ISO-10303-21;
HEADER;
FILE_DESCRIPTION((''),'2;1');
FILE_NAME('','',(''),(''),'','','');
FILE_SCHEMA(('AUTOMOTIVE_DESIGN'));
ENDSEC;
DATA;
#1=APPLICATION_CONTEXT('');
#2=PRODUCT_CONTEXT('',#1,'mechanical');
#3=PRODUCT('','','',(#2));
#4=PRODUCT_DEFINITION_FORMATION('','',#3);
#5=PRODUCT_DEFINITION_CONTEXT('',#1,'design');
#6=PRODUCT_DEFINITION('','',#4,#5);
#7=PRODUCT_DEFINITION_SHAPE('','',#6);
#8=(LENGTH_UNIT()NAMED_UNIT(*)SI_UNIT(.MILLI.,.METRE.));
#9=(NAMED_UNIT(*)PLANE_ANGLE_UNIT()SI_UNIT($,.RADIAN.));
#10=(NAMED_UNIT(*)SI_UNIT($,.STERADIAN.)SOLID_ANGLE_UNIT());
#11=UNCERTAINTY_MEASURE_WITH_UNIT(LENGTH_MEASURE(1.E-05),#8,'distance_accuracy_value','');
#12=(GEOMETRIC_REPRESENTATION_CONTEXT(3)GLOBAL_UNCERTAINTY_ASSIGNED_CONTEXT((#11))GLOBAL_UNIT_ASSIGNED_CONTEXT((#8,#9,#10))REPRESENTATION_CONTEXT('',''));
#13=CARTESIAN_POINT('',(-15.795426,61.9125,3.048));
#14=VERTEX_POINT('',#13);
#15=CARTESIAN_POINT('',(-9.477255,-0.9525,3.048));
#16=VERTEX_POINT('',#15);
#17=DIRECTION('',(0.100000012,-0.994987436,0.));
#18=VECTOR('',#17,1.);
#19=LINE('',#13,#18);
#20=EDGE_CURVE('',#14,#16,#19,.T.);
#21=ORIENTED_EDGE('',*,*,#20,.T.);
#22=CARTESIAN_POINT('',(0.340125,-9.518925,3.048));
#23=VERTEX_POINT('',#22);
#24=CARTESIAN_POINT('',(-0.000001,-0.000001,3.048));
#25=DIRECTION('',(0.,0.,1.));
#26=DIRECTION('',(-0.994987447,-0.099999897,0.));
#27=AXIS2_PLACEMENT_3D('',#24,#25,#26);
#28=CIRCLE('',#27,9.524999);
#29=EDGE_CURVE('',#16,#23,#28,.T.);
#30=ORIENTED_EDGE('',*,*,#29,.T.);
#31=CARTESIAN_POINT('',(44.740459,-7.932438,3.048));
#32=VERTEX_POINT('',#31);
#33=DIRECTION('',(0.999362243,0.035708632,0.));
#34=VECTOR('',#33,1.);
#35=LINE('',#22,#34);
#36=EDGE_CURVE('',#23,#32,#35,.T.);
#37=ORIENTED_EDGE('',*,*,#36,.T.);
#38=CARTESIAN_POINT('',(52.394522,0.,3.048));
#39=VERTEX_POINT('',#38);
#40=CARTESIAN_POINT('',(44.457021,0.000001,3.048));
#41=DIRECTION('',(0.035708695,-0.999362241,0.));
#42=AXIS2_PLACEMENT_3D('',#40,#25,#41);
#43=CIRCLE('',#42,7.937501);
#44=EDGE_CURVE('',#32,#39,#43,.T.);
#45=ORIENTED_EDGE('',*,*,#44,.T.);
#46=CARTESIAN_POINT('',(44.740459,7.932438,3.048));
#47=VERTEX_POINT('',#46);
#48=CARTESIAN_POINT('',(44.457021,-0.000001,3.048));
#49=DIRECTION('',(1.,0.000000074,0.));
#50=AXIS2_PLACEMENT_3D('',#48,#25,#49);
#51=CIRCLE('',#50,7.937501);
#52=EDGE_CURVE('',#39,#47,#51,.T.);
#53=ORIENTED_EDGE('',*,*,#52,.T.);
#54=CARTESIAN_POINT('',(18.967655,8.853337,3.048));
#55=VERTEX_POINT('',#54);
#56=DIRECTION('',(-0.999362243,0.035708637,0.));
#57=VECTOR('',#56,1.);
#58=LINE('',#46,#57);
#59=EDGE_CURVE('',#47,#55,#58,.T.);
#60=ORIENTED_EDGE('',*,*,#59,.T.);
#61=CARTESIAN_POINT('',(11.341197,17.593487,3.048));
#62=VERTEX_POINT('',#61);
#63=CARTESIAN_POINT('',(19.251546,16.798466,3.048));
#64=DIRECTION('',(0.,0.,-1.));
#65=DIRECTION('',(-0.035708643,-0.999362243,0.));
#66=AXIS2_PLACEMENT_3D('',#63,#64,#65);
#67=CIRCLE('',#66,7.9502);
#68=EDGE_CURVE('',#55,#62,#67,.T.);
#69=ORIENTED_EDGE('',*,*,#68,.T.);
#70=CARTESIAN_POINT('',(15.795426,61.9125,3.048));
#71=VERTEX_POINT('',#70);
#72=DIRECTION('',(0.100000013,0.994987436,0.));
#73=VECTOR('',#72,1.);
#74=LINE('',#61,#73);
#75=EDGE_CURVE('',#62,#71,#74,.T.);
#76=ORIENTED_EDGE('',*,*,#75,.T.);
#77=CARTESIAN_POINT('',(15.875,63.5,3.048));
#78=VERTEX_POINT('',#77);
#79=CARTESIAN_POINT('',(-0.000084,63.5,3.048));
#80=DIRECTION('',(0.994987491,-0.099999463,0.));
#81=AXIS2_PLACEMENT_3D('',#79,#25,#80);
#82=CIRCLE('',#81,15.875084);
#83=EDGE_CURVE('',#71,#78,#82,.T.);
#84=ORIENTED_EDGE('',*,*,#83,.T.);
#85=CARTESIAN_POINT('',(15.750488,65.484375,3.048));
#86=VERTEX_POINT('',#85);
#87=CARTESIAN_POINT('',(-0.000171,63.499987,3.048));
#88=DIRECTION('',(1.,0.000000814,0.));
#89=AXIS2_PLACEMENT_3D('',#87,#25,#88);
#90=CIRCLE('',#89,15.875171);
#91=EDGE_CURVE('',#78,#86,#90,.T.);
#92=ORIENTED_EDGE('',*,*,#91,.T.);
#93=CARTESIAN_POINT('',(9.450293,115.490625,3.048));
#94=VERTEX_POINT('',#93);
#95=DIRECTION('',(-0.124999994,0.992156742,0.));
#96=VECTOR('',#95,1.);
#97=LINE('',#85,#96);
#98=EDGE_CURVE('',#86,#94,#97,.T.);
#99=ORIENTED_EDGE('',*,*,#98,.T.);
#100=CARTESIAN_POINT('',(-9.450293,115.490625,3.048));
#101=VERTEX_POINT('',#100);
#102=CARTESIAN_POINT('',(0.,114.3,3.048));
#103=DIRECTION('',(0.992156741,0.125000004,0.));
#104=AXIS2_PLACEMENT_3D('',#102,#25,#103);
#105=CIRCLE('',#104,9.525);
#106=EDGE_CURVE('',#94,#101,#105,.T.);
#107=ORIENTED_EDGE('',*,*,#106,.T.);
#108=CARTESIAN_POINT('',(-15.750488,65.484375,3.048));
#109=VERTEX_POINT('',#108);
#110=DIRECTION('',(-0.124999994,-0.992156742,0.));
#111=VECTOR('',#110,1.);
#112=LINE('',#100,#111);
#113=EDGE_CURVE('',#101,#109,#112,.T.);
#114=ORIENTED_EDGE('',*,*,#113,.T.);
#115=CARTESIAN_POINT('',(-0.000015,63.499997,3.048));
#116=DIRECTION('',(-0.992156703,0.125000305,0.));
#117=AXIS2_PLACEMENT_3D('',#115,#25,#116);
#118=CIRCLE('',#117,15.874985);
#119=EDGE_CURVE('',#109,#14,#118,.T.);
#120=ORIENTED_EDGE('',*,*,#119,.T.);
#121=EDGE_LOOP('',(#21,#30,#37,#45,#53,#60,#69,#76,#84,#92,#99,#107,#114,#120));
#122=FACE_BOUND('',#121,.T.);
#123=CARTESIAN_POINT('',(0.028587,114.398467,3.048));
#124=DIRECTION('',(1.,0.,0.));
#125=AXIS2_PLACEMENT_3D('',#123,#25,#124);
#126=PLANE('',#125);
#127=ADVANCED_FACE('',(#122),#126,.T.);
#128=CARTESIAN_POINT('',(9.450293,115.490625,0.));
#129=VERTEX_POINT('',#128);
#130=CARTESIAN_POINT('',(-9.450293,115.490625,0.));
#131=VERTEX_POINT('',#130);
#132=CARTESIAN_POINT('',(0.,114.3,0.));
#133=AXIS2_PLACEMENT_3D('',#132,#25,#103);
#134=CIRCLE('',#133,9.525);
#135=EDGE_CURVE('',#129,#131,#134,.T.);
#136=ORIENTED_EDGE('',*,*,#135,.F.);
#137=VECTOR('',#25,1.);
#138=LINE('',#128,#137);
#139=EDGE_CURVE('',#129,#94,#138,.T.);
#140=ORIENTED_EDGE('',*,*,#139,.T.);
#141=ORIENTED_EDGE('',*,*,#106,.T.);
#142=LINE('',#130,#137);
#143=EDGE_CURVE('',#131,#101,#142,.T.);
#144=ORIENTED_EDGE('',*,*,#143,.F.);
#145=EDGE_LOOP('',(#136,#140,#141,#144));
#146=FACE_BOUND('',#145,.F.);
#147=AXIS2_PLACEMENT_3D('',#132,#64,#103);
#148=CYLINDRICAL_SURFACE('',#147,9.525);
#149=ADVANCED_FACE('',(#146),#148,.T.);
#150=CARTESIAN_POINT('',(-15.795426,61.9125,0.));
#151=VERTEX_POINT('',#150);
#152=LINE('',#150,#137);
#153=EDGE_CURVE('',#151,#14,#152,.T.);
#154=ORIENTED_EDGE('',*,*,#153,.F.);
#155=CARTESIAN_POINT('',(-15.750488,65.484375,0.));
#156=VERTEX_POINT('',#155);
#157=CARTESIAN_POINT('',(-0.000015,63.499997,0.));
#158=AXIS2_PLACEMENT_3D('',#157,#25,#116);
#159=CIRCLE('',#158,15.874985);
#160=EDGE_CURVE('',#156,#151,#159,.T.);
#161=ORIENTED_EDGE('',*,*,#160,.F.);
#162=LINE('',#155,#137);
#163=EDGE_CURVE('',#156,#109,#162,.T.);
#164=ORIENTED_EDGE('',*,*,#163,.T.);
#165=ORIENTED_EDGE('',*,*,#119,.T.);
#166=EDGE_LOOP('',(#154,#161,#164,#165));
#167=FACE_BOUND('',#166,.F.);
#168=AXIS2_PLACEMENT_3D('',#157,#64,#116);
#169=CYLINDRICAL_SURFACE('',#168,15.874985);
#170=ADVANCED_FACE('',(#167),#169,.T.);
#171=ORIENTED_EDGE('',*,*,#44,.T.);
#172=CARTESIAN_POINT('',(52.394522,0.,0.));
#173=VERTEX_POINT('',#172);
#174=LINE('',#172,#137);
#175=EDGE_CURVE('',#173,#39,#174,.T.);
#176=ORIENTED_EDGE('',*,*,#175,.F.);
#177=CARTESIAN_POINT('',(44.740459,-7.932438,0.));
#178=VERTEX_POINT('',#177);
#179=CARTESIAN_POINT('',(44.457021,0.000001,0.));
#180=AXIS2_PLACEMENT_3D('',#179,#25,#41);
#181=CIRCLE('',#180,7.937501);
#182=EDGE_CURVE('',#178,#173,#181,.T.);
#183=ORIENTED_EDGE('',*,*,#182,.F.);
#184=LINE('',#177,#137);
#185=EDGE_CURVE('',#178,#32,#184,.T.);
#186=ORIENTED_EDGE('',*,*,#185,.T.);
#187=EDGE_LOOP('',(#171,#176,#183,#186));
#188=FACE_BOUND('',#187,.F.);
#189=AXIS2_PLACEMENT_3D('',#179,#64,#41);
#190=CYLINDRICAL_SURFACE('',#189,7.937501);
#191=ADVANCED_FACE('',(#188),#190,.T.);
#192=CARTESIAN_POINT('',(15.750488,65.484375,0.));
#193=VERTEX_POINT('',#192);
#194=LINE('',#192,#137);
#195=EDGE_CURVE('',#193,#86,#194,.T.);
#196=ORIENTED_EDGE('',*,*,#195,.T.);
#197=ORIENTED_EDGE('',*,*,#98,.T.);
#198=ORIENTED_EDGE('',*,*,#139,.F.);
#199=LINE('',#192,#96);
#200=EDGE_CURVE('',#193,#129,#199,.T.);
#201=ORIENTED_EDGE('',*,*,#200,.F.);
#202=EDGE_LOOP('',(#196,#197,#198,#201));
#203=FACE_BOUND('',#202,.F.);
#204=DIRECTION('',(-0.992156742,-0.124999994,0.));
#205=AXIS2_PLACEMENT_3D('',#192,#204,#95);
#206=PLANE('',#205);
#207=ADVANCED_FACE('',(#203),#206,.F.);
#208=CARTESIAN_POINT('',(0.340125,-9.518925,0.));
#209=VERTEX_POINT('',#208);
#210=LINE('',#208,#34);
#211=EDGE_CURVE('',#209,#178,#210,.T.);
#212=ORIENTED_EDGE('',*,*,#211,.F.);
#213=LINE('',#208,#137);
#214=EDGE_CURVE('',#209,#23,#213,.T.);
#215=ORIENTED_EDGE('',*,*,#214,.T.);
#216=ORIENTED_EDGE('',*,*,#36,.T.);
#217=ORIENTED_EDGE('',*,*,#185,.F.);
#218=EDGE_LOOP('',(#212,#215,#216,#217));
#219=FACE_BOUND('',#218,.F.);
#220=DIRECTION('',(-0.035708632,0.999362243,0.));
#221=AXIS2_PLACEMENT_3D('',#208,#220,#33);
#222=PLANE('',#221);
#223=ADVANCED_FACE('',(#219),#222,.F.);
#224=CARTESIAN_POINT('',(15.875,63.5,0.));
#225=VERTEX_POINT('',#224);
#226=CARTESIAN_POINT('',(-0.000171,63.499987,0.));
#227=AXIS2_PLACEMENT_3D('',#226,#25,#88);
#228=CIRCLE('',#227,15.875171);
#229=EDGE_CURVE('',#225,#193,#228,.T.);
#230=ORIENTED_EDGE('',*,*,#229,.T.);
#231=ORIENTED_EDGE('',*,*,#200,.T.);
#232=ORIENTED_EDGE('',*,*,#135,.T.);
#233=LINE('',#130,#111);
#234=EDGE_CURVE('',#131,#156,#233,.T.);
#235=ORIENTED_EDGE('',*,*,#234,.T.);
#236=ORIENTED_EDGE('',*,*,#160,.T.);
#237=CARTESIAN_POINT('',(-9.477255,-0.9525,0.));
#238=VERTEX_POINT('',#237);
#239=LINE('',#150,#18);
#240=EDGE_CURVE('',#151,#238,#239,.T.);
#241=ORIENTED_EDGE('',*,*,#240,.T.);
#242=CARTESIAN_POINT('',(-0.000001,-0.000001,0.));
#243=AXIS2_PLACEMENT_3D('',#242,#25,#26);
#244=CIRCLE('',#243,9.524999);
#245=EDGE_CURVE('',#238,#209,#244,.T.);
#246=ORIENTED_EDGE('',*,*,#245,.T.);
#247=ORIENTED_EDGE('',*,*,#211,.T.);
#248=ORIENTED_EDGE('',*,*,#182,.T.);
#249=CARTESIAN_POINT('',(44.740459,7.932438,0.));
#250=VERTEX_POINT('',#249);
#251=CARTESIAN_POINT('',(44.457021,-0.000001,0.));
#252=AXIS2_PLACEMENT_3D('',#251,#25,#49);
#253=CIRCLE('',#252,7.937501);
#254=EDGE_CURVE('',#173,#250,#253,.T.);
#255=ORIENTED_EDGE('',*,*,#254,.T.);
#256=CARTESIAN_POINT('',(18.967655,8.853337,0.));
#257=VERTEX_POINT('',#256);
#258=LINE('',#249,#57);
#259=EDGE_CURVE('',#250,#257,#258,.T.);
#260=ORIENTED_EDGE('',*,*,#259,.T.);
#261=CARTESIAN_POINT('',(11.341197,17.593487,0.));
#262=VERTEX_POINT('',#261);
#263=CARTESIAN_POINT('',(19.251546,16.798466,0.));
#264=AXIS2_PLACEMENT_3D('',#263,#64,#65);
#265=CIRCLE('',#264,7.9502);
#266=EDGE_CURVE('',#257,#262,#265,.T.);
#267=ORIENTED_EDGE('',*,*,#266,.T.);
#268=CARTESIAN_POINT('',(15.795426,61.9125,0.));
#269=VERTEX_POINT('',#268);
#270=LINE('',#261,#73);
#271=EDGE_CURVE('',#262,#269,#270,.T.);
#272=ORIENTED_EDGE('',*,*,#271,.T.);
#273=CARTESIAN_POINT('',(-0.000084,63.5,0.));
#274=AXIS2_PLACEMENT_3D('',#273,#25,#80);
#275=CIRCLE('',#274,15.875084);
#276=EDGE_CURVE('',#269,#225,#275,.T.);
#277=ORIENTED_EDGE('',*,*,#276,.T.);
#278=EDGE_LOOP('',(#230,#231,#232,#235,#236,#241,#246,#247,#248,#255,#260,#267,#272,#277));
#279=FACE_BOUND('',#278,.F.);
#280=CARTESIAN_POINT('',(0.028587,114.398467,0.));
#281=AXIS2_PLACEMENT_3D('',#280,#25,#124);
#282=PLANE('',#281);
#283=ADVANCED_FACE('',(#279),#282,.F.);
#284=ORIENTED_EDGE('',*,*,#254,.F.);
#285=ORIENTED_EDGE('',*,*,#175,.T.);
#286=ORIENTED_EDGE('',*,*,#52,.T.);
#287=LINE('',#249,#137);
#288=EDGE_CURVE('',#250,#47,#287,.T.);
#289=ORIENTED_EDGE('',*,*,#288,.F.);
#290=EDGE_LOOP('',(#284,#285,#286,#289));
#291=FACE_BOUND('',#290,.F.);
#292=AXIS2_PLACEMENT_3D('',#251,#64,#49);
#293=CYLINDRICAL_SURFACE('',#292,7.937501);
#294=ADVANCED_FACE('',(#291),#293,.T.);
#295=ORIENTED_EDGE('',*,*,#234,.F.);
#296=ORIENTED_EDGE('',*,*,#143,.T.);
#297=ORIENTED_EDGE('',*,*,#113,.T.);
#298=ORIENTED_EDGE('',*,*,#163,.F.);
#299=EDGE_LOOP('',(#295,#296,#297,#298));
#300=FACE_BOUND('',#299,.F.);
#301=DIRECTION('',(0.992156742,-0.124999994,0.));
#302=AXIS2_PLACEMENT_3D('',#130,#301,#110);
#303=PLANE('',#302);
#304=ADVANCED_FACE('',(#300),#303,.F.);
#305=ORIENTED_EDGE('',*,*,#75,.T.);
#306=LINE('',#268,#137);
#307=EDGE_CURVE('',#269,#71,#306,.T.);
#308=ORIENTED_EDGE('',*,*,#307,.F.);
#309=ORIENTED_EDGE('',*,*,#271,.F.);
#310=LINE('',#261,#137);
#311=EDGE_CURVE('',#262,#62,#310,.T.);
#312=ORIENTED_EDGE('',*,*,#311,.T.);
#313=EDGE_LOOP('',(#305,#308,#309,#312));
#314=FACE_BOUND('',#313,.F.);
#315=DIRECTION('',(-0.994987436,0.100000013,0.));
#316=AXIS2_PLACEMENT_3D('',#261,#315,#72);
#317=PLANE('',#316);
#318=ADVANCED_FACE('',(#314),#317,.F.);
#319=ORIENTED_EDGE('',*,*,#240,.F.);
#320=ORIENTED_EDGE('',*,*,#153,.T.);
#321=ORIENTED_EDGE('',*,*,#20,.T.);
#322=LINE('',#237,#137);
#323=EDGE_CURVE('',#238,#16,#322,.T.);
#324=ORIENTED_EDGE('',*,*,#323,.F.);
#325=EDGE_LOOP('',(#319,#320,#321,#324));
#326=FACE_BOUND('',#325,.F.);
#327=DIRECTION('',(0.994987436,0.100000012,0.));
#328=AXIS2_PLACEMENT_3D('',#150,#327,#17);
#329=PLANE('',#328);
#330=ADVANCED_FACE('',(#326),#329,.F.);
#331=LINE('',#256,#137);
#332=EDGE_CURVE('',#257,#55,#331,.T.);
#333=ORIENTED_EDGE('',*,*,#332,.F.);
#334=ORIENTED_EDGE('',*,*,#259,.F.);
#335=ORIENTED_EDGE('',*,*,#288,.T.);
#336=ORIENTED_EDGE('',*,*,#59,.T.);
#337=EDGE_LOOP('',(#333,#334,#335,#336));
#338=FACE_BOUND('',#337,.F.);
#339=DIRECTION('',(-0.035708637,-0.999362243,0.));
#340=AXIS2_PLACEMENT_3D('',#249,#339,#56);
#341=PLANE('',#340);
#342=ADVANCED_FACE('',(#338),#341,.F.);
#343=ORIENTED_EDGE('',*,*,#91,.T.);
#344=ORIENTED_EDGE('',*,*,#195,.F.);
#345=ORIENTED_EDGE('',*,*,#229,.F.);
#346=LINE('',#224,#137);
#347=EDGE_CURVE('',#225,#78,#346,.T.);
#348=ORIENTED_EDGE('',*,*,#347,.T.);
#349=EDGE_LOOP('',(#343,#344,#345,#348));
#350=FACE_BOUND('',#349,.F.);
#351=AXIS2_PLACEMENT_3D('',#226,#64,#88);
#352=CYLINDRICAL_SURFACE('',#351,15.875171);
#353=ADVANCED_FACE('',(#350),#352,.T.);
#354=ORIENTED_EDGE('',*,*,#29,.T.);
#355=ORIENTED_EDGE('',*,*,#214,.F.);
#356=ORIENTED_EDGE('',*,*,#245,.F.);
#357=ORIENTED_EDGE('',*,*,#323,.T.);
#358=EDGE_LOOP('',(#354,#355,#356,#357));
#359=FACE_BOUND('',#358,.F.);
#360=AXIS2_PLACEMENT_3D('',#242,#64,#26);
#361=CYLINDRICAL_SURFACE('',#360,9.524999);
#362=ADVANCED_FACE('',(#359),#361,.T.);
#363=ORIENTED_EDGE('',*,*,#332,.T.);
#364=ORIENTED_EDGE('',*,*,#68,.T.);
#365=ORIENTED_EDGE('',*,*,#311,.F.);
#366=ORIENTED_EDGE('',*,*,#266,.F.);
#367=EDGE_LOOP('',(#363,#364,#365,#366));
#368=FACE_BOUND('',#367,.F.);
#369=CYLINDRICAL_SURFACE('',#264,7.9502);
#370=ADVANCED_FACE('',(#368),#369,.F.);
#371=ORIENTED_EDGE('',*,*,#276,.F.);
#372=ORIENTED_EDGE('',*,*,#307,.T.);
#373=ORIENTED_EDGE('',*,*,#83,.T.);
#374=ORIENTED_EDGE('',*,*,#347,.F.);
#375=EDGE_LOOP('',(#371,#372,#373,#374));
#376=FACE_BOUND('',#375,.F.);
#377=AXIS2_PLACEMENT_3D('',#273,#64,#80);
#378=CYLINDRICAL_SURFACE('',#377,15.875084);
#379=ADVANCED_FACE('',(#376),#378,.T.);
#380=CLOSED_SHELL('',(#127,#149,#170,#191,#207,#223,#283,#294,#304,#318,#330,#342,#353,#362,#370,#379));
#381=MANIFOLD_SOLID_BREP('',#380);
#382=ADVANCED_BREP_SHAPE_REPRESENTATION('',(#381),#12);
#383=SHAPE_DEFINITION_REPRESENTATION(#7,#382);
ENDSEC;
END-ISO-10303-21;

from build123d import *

# Parameters (mm, degrees)
F0_R     = 3.175
F1_DEPTH = 3.048


with BuildPart() as f1:
    # F0 (on Top) → F1 (new body)
    with BuildSketch(Plane.XY):
        with BuildLine():
            ThreePointArc((9.450293, 115.490625), (0, 123.825), (-9.450293, 115.490625))
            ThreePointArc((-9.450293, 115.490625), (-0.596483, 104.793695), (9.525, 114.3))
            ThreePointArc((9.525, 114.3), (9.506305, 114.896483), (9.450293, 115.490625))
        make_face()
        with Locations((0, 114.3)):
            Circle(F0_R, mode=Mode.SUBTRACT)
        with BuildLine():
            Line((-9.450293, 115.490625), (-15.750488, 65.484375))
            ThreePointArc((-15.750488, 65.484375), (0, 79.375), (15.750488, 65.484375))
            Line((15.750488, 65.484375), (9.450293, 115.490625))
            ThreePointArc((9.450293, 115.490625), (9.506305, 114.896483), (9.525, 114.3))
            ThreePointArc((9.525, 114.3), (-0.596483, 104.793695), (-9.450293, 115.490625))
        make_face()
        with Locations((-3.175, 100.0252)):
            Circle(F0_R, mode=Mode.SUBTRACT)
        with BuildLine():
            ThreePointArc((-15.750488, 65.484375), (-15.873744, 63.699705), (-15.795426, 61.9125))
            ThreePointArc((-15.795426, 61.9125), (0, 47.625), (15.795426, 61.9125))
            ThreePointArc((15.795426, 61.9125), (15.855094, 62.705253), (15.875, 63.5))
            ThreePointArc((15.875, 63.5), (15.843841, 64.494139), (15.750488, 65.484375))
            ThreePointArc((15.750488, 65.484375), (0, 79.375), (-15.750488, 65.484375))
        make_face()
        with Locations((0, 63.5)):
            Circle(F0_R, mode=Mode.SUBTRACT)
        with BuildLine():
            ThreePointArc((-9.477255, -0.9525), (-0.476848, 9.513056), (9.525, 0))
            ThreePointArc((9.525, 0), (6.85439, -6.613847), (0.340125, -9.518925))
            Line((0.340125, -9.518925), (44.740459, -7.932438))
            ThreePointArc((44.740459, -7.932438), (36.519522, 0), (44.740459, 7.932438))
            Line((44.740459, 7.932438), (18.967655, 8.853337))
            ThreePointArc((18.967655, 8.853337), (13.261225, 11.571447), (11.341197, 17.593487))
            Line((11.341197, 17.593487), (15.795426, 61.9125))
            ThreePointArc((15.795426, 61.9125), (0, 47.625), (-15.795426, 61.9125))
            Line((-15.795426, 61.9125), (-9.477255, -0.9525))
        make_face()
        with BuildLine():
            ThreePointArc((0.340125, -9.518925), (6.85439, -6.613847), (9.525, 0))
            ThreePointArc((9.525, 0), (-0.476848, 9.513056), (-9.477255, -0.9525))
            ThreePointArc((-9.477255, -0.9525), (-6.262404, -7.176902), (0.340125, -9.518925))
        make_face()
        Circle(F0_R, mode=Mode.SUBTRACT)
        with BuildLine():
            ThreePointArc((44.740459, 7.932438), (36.519522, 0), (44.740459, -7.932438))
            ThreePointArc((44.740459, -7.932438), (50.169013, -5.511539), (52.394522, 0))
            ThreePointArc((52.394522, 0), (50.169013, 5.511539), (44.740459, 7.932438))
        make_face()
        with Locations((44.457022, 0)):
            Circle(F0_R, mode=Mode.SUBTRACT)
        with Locations((44.457022, 0)):
            Circle(F0_R)
        with Locations((-3.175, 100.0252)):
            Circle(F0_R)
        with Locations((0, 63.5)):
            Circle(F0_R)
        with Locations((0, 114.3)):
            Circle(F0_R)
        Circle(F0_R)
    extrude(amount=F1_DEPTH)


solid = f1.part
